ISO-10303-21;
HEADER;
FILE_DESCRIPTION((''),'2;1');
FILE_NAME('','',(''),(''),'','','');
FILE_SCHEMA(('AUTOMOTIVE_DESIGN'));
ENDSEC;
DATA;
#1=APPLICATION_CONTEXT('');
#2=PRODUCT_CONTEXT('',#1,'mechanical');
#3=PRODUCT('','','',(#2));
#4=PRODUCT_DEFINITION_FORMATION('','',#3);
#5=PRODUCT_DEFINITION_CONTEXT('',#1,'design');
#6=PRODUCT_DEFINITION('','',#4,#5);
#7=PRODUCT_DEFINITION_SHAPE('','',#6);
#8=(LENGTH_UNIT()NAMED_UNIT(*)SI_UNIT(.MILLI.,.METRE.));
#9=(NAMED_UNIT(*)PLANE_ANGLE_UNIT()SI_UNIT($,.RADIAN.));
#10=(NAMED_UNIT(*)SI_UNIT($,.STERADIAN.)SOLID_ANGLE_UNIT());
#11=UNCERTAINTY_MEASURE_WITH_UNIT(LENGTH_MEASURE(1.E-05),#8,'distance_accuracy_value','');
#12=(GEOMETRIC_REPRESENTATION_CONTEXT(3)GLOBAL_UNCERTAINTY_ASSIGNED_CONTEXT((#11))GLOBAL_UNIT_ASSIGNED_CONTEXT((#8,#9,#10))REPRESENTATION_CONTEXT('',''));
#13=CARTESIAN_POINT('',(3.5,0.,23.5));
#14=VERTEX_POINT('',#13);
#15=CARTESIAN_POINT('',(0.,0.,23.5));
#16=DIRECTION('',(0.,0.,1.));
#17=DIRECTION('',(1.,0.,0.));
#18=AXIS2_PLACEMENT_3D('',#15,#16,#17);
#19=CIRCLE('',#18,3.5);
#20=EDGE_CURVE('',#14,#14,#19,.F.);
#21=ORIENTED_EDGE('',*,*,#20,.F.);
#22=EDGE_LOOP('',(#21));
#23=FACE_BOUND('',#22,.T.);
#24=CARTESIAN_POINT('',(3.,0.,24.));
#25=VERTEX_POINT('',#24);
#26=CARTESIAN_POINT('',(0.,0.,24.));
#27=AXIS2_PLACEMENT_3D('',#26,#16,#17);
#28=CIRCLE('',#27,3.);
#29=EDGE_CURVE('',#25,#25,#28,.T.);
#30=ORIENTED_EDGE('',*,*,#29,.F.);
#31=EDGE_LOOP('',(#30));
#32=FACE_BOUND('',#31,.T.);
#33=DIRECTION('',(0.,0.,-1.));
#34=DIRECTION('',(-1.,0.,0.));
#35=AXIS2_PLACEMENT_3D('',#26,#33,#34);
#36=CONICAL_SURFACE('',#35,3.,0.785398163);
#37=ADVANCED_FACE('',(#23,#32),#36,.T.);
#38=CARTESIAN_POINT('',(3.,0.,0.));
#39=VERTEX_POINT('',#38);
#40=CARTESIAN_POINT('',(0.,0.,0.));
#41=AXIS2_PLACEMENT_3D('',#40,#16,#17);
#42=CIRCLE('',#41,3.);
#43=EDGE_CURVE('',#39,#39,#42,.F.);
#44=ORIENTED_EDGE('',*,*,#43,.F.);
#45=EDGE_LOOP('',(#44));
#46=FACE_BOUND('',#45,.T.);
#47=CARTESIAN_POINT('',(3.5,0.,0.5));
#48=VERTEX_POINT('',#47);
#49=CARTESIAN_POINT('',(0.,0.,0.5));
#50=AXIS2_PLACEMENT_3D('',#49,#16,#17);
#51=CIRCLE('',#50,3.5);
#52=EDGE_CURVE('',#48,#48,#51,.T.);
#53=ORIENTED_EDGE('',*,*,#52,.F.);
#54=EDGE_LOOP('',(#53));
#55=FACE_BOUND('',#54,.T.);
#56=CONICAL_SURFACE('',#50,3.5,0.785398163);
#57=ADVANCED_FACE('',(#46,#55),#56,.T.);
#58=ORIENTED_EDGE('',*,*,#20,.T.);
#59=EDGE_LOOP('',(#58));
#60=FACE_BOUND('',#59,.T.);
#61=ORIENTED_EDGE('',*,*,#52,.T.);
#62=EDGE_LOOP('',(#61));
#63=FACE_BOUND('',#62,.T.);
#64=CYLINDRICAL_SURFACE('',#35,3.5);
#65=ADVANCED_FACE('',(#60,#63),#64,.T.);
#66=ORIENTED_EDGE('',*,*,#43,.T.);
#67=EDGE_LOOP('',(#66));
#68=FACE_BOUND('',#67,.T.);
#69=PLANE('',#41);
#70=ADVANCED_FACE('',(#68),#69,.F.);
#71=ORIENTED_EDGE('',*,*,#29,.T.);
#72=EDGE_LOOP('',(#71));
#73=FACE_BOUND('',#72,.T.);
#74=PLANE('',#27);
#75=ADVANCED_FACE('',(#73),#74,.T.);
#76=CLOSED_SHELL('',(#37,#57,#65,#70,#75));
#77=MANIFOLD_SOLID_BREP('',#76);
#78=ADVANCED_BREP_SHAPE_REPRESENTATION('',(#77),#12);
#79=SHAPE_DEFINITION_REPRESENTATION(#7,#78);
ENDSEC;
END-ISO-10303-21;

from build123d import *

# Parameters (mm, degrees)
SKETCH_1_R      = 3.5
EXTRUDE_1_DEPTH = 24
CHAMFER_1_SIZE  = 0.5


with BuildPart() as part:
    # 스케치1 → 보스-돌출1 (new body)
    with BuildSketch(Plane.XY):
        Circle(SKETCH_1_R)
    extrude(amount=EXTRUDE_1_DEPTH)

    # 모따기1
    chamfer_1_edges = [part.edges().sort_by_distance(p)[0] for p in [
        (-3.5, 0, 0),
        (-3.5, 0, 24),
    ]]
    chamfer(chamfer_1_edges, length=CHAMFER_1_SIZE)


solid = part.part
